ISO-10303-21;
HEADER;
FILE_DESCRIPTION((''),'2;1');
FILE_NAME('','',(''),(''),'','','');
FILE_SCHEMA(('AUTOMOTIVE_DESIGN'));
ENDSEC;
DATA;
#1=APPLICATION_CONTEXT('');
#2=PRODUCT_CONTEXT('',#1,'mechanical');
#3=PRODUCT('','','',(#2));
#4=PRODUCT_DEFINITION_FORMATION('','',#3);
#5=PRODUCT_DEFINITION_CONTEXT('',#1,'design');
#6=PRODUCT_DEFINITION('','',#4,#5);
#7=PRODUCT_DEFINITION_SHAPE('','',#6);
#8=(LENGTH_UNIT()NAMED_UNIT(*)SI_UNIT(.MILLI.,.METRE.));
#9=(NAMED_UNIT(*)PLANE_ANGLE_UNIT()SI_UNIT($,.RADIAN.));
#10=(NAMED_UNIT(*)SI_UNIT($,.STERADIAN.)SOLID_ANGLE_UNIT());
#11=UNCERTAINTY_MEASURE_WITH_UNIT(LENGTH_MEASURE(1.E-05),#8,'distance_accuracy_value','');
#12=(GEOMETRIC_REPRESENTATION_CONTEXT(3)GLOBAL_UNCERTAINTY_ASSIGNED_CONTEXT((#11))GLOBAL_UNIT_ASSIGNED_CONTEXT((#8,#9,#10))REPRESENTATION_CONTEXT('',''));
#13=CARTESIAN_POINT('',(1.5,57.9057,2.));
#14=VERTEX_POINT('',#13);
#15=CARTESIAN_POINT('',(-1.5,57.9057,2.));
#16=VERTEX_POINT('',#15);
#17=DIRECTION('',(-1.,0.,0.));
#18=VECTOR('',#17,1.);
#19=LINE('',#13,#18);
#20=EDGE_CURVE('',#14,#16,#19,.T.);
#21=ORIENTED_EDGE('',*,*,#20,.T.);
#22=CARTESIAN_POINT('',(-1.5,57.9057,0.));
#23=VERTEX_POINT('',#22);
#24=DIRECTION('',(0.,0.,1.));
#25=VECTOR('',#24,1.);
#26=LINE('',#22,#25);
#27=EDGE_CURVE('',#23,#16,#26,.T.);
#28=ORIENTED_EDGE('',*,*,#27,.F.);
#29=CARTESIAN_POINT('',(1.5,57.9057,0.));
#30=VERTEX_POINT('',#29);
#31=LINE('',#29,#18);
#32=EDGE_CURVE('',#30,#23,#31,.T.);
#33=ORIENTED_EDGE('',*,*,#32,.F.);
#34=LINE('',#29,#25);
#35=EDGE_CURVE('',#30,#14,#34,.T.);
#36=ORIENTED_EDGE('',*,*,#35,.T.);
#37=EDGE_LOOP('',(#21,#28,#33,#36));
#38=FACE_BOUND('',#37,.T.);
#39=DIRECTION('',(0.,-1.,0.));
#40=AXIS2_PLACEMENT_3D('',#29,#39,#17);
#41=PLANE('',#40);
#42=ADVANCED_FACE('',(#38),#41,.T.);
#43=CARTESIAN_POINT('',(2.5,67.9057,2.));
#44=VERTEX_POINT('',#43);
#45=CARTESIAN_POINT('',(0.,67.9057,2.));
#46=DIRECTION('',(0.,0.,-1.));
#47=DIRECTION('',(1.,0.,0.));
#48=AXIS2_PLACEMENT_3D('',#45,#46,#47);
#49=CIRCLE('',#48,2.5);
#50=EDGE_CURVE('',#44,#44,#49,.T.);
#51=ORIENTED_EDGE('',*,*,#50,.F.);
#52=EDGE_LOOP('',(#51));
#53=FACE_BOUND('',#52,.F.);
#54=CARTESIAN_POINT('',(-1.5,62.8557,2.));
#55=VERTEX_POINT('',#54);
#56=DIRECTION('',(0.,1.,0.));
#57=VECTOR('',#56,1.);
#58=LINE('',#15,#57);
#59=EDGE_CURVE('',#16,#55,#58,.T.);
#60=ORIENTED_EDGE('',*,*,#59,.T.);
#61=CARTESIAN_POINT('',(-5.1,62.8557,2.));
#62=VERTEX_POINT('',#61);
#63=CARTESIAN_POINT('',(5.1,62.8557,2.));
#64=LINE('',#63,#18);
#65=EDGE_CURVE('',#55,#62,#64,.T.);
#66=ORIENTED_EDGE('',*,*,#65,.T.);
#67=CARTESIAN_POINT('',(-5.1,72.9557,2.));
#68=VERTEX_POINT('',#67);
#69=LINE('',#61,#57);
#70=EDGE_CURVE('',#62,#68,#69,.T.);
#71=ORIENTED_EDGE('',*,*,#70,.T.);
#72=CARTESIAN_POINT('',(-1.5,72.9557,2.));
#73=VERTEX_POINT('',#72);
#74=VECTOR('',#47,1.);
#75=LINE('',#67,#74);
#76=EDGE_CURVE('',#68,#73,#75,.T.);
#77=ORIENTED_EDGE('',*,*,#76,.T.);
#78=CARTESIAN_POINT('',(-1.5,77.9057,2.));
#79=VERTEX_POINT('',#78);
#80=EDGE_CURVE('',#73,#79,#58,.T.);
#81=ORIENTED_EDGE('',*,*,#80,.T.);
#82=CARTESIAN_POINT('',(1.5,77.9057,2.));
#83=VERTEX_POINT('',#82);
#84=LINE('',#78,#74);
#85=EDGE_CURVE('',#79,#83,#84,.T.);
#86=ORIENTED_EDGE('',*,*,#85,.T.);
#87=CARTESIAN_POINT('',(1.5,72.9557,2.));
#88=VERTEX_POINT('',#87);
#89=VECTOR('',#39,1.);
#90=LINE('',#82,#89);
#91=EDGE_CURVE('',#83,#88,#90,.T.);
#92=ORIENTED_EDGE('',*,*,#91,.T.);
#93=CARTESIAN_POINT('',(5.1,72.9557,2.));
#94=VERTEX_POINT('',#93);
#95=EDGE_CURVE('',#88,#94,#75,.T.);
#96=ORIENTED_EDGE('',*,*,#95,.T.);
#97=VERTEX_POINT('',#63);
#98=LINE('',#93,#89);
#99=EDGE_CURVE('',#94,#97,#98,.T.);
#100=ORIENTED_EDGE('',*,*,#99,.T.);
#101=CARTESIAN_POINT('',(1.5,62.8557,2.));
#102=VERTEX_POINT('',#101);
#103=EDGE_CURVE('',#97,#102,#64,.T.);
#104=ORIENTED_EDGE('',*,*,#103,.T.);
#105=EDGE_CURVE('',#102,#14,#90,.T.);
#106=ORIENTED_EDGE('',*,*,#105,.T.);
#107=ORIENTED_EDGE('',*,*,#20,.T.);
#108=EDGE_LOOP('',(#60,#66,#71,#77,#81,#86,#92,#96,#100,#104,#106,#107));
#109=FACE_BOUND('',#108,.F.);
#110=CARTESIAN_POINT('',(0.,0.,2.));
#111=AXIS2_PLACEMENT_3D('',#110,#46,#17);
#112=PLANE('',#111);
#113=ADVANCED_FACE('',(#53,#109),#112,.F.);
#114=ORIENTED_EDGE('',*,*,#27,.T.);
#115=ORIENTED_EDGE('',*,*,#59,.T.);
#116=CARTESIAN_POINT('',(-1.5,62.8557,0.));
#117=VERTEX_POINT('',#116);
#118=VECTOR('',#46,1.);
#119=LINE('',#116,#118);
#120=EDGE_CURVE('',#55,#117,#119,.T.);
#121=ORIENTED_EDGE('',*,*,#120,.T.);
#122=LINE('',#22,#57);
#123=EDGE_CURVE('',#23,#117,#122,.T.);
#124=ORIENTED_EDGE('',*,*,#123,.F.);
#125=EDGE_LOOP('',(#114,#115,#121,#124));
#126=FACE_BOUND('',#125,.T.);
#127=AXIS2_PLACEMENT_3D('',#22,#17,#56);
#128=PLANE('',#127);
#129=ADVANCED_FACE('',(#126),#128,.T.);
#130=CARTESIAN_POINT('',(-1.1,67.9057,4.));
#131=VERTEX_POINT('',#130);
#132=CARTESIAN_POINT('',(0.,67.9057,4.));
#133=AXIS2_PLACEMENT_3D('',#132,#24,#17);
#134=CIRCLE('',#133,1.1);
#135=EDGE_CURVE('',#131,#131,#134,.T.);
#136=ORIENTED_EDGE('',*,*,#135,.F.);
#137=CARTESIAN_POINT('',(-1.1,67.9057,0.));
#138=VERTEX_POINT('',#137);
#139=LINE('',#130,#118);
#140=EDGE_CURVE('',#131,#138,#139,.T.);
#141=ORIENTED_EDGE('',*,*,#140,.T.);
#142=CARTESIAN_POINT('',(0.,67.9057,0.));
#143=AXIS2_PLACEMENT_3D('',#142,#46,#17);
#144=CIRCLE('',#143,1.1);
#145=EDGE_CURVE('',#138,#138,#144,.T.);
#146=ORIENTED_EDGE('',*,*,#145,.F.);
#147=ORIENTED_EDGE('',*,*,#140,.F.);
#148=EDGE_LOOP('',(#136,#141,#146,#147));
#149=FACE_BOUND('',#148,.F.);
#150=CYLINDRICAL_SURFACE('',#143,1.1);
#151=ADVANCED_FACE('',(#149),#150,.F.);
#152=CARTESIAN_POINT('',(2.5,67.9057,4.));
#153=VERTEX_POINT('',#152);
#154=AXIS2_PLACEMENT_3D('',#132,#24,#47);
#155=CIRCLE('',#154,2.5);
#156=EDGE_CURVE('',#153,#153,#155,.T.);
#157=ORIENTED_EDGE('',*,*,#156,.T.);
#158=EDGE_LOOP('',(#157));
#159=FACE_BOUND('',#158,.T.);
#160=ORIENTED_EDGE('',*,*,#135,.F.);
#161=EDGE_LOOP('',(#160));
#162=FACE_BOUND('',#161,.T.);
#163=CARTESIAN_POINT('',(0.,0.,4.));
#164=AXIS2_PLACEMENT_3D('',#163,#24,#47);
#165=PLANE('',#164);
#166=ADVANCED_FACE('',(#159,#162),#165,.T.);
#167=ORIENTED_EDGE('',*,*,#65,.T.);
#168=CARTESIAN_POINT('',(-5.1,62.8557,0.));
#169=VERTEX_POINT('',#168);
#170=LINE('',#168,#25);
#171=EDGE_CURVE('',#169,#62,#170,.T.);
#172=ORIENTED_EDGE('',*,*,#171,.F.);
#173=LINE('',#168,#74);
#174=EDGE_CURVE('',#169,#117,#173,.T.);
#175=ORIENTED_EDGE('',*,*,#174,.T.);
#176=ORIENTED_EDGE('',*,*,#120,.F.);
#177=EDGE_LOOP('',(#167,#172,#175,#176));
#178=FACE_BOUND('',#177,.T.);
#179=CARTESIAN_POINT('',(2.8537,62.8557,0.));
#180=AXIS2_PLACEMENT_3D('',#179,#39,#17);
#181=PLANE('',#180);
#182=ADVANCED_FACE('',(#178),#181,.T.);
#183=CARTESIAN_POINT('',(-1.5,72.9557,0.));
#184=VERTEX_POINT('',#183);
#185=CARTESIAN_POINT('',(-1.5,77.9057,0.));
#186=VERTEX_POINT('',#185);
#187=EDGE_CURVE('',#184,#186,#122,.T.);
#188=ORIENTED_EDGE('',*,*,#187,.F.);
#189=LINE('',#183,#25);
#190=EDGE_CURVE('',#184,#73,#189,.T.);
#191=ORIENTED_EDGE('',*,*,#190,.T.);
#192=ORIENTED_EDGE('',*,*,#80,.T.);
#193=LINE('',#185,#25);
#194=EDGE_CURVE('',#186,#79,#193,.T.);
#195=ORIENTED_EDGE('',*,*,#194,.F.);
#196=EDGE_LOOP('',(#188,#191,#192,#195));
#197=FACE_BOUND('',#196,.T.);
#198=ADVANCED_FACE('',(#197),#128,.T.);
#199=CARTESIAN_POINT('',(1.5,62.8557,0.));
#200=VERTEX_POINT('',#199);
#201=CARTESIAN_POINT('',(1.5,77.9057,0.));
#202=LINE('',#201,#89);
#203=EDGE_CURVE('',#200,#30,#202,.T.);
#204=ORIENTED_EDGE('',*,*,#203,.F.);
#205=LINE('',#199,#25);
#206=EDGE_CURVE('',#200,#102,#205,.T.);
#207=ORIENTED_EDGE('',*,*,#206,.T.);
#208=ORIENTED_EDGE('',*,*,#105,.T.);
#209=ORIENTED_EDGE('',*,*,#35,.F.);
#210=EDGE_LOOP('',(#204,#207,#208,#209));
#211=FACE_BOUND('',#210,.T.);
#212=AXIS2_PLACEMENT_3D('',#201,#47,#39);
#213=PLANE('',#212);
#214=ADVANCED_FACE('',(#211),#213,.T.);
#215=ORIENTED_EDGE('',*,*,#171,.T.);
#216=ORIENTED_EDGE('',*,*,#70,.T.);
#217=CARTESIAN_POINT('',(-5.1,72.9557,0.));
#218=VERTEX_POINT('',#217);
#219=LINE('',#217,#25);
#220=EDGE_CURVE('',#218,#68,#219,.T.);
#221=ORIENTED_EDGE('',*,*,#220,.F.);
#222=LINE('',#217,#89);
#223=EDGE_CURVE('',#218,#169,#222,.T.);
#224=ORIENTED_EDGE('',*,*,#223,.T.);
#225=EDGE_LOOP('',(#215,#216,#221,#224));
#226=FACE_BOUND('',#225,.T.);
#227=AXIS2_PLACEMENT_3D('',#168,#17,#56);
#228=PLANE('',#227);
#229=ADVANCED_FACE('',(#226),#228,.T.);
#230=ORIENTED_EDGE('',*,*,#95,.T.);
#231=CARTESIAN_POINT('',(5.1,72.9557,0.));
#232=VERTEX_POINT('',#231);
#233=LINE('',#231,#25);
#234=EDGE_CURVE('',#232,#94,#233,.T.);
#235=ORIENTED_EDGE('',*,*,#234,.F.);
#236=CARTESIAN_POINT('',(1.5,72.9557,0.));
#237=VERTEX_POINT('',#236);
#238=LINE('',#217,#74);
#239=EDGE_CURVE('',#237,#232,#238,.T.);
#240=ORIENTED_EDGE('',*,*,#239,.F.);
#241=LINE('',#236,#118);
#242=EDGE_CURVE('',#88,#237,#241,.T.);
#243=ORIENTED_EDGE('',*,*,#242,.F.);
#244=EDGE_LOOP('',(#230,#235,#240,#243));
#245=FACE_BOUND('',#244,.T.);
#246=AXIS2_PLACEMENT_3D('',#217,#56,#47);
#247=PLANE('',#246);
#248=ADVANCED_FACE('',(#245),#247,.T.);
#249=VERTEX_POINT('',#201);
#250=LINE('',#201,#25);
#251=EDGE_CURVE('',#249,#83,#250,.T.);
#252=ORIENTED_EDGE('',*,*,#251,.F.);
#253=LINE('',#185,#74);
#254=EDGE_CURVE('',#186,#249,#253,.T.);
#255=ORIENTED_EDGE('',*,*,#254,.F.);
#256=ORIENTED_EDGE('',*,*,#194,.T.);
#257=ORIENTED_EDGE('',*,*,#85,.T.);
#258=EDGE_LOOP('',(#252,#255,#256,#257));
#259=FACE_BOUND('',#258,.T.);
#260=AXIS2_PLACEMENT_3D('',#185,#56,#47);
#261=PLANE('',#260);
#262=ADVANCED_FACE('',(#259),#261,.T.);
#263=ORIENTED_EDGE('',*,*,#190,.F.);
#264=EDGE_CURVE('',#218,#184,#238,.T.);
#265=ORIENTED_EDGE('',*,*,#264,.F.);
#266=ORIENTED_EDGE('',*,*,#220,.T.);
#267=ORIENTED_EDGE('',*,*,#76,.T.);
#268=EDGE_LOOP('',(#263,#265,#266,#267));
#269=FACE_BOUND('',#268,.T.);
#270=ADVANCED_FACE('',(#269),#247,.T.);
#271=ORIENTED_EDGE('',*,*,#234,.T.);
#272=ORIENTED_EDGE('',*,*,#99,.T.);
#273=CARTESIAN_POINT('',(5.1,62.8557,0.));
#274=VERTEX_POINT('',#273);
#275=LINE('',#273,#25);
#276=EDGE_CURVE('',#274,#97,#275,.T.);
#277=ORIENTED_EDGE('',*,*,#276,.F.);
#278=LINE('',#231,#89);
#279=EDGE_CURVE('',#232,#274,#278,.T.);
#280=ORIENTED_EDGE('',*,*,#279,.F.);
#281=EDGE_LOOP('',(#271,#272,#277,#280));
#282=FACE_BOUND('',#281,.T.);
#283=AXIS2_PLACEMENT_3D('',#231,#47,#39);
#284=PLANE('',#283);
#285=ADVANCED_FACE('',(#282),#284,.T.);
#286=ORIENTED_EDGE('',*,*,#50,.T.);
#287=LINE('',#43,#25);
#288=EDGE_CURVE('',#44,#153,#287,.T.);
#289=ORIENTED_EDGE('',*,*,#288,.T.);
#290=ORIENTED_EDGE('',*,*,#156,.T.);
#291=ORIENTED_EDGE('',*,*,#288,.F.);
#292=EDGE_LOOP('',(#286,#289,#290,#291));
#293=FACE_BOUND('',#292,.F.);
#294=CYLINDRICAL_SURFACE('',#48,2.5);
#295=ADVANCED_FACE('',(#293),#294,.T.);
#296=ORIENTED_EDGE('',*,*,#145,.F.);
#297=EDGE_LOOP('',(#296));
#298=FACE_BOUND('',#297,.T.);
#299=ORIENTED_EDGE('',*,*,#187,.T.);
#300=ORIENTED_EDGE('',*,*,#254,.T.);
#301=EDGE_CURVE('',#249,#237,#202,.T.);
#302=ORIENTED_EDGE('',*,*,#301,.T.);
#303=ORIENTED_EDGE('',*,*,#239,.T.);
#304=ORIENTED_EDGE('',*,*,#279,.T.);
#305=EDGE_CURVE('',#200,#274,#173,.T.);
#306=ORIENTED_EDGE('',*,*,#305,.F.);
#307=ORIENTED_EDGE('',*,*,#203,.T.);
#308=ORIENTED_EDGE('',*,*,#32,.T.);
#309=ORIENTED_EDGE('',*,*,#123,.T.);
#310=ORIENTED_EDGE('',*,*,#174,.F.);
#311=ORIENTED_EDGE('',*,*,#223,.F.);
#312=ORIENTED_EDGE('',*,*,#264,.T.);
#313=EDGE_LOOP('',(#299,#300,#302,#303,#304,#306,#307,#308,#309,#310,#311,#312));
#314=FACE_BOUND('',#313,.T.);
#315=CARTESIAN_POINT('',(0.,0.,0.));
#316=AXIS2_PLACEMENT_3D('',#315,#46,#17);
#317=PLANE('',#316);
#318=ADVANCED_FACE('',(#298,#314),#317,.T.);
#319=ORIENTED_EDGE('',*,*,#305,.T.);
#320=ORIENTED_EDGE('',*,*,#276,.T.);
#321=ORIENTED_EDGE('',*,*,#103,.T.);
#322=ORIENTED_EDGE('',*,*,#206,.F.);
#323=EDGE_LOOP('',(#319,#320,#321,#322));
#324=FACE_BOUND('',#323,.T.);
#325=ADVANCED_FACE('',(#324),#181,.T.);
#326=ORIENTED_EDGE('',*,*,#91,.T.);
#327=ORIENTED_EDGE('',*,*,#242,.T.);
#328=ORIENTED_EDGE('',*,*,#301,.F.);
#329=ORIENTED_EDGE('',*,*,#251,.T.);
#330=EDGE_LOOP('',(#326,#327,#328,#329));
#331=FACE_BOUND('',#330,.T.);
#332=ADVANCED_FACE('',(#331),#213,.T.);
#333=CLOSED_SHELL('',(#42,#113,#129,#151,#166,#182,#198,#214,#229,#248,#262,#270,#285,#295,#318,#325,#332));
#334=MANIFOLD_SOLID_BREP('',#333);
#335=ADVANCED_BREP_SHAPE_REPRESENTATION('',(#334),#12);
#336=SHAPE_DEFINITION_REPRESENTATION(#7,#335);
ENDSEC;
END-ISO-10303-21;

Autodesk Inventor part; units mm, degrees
ref_plane "YZ Plane" through (0, 0, 0) normal (1, 0, 0) x (0, 1, 0)
ref_plane "XZ Plane" through (0, 0, 0) normal (0, 1, 0) x (-1, 0, 0)
ref_plane "XY Plane" through (0, 0, 0) normal (0, 0, 1) x (1, 0, 0)
sketch "Skizze1" plane through (0, 0, 0) normal (0, 0, 1) x (1, 0, 0)
  line L0 (2.8537, 62.8557) -> (-11.3867, 62.8557) projected
  line L1 (-8.4337, 63.8875) -> (2.8537, 63.8875) projected
  line L2 (2.8537, 63.8875) -> (2.8537, 62.8557) projected
  line L3 (5.1, 52.7557) -> (-5.1, 52.7557)
  line L4 (-5.1, 52.7557) -> (-5.1, 72.9557)
  line L5 (-5.1, 72.9557) -> (5.1, 72.9557)
  line L6 (5.1, 72.9557) -> (5.1, 52.7557)
  line L7 (5.1, 52.7557) -> (-5.1, 72.9557) construction
  line L8 (-5.1, 52.7557) -> (5.1, 72.9557) construction
  line L9 (5.1, 62.8557) -> (-5.1, 62.8557)
  point P0 (0, 0)
  point P1 (0, 62.8557)
extrude "Extrusion1" add sketch "Skizze1" along normal blind 2 contours L0 L4 L1 L2 | L2 L1 L4 L5 L6 L9
sketch "Skizze2" plane through (0, 0, 2) normal (0, 0, 1) x (1, 0, 0)
  line L0 (-5.1, 72.9557) -> (-5.1, 62.8557) projected
  line L1 (-5.1, 62.8557) -> (5.1, 62.8557) projected
  line L2 (5.1, 62.8557) -> (5.1, 72.9557) projected
  line L3 (5.1, 72.9557) -> (-5.1, 72.9557) projected
  circle A0 centre (0, 67.9057) radius 2.5
  circle A1 centre (0, 67.9057) radius 1.1
  point P0 (0, 0)
  dimension "d4" = 5
  dimension "d5" = 2.2
extrude "Extrusion2" add sketch "Skizze2" along normal blind 2 contours A0
sketch "Skizze3" plane through (0, 0, 2) normal (0, 0, 1) x (1, 0, 0)
  circle A0 centre (0, 67.9057) radius 1.1 projected
  point P0 (0, 0)
extrude "Extrusion3" cut sketch "Skizze3" against normal blind 2
sketch "Skizze4" plane through (0, 0, 0) normal (0, 0, -1) x (-1, 0, 0)
  circle A0 centre (0, 67.9057) radius 1.1 construction
  line L0 (1.5, 77.9057) -> (-1.5, 77.9057)
  line L1 (-1.5, 77.9057) -> (-1.5, 57.9057)
  line L2 (-1.5, 57.9057) -> (1.5, 57.9057)
  line L3 (1.5, 57.9057) -> (1.5, 77.9057)
  line L4 (1.5, 77.9057) -> (-1.5, 57.9057) construction
  line L5 (-1.5, 77.9057) -> (1.5, 57.9057) construction
  point P0 (0, 0)
  dimension "d10" = 3
  dimension "d11" = 20
extrude "Extrusion4" add sketch "Skizze4" against normal blind 2
sketch "Skizze5" plane through (0, 0, 0) normal (0, 0, -1) x (-1, 0, 0)
  circle A0 centre (0, 67.9057) radius 1.1 projected
  point P0 (0, 0)
extrude "Extrusion5" cut sketch "Skizze5" against normal blind 10
properties part number "amt_plate" material "Nylon 6/6"
